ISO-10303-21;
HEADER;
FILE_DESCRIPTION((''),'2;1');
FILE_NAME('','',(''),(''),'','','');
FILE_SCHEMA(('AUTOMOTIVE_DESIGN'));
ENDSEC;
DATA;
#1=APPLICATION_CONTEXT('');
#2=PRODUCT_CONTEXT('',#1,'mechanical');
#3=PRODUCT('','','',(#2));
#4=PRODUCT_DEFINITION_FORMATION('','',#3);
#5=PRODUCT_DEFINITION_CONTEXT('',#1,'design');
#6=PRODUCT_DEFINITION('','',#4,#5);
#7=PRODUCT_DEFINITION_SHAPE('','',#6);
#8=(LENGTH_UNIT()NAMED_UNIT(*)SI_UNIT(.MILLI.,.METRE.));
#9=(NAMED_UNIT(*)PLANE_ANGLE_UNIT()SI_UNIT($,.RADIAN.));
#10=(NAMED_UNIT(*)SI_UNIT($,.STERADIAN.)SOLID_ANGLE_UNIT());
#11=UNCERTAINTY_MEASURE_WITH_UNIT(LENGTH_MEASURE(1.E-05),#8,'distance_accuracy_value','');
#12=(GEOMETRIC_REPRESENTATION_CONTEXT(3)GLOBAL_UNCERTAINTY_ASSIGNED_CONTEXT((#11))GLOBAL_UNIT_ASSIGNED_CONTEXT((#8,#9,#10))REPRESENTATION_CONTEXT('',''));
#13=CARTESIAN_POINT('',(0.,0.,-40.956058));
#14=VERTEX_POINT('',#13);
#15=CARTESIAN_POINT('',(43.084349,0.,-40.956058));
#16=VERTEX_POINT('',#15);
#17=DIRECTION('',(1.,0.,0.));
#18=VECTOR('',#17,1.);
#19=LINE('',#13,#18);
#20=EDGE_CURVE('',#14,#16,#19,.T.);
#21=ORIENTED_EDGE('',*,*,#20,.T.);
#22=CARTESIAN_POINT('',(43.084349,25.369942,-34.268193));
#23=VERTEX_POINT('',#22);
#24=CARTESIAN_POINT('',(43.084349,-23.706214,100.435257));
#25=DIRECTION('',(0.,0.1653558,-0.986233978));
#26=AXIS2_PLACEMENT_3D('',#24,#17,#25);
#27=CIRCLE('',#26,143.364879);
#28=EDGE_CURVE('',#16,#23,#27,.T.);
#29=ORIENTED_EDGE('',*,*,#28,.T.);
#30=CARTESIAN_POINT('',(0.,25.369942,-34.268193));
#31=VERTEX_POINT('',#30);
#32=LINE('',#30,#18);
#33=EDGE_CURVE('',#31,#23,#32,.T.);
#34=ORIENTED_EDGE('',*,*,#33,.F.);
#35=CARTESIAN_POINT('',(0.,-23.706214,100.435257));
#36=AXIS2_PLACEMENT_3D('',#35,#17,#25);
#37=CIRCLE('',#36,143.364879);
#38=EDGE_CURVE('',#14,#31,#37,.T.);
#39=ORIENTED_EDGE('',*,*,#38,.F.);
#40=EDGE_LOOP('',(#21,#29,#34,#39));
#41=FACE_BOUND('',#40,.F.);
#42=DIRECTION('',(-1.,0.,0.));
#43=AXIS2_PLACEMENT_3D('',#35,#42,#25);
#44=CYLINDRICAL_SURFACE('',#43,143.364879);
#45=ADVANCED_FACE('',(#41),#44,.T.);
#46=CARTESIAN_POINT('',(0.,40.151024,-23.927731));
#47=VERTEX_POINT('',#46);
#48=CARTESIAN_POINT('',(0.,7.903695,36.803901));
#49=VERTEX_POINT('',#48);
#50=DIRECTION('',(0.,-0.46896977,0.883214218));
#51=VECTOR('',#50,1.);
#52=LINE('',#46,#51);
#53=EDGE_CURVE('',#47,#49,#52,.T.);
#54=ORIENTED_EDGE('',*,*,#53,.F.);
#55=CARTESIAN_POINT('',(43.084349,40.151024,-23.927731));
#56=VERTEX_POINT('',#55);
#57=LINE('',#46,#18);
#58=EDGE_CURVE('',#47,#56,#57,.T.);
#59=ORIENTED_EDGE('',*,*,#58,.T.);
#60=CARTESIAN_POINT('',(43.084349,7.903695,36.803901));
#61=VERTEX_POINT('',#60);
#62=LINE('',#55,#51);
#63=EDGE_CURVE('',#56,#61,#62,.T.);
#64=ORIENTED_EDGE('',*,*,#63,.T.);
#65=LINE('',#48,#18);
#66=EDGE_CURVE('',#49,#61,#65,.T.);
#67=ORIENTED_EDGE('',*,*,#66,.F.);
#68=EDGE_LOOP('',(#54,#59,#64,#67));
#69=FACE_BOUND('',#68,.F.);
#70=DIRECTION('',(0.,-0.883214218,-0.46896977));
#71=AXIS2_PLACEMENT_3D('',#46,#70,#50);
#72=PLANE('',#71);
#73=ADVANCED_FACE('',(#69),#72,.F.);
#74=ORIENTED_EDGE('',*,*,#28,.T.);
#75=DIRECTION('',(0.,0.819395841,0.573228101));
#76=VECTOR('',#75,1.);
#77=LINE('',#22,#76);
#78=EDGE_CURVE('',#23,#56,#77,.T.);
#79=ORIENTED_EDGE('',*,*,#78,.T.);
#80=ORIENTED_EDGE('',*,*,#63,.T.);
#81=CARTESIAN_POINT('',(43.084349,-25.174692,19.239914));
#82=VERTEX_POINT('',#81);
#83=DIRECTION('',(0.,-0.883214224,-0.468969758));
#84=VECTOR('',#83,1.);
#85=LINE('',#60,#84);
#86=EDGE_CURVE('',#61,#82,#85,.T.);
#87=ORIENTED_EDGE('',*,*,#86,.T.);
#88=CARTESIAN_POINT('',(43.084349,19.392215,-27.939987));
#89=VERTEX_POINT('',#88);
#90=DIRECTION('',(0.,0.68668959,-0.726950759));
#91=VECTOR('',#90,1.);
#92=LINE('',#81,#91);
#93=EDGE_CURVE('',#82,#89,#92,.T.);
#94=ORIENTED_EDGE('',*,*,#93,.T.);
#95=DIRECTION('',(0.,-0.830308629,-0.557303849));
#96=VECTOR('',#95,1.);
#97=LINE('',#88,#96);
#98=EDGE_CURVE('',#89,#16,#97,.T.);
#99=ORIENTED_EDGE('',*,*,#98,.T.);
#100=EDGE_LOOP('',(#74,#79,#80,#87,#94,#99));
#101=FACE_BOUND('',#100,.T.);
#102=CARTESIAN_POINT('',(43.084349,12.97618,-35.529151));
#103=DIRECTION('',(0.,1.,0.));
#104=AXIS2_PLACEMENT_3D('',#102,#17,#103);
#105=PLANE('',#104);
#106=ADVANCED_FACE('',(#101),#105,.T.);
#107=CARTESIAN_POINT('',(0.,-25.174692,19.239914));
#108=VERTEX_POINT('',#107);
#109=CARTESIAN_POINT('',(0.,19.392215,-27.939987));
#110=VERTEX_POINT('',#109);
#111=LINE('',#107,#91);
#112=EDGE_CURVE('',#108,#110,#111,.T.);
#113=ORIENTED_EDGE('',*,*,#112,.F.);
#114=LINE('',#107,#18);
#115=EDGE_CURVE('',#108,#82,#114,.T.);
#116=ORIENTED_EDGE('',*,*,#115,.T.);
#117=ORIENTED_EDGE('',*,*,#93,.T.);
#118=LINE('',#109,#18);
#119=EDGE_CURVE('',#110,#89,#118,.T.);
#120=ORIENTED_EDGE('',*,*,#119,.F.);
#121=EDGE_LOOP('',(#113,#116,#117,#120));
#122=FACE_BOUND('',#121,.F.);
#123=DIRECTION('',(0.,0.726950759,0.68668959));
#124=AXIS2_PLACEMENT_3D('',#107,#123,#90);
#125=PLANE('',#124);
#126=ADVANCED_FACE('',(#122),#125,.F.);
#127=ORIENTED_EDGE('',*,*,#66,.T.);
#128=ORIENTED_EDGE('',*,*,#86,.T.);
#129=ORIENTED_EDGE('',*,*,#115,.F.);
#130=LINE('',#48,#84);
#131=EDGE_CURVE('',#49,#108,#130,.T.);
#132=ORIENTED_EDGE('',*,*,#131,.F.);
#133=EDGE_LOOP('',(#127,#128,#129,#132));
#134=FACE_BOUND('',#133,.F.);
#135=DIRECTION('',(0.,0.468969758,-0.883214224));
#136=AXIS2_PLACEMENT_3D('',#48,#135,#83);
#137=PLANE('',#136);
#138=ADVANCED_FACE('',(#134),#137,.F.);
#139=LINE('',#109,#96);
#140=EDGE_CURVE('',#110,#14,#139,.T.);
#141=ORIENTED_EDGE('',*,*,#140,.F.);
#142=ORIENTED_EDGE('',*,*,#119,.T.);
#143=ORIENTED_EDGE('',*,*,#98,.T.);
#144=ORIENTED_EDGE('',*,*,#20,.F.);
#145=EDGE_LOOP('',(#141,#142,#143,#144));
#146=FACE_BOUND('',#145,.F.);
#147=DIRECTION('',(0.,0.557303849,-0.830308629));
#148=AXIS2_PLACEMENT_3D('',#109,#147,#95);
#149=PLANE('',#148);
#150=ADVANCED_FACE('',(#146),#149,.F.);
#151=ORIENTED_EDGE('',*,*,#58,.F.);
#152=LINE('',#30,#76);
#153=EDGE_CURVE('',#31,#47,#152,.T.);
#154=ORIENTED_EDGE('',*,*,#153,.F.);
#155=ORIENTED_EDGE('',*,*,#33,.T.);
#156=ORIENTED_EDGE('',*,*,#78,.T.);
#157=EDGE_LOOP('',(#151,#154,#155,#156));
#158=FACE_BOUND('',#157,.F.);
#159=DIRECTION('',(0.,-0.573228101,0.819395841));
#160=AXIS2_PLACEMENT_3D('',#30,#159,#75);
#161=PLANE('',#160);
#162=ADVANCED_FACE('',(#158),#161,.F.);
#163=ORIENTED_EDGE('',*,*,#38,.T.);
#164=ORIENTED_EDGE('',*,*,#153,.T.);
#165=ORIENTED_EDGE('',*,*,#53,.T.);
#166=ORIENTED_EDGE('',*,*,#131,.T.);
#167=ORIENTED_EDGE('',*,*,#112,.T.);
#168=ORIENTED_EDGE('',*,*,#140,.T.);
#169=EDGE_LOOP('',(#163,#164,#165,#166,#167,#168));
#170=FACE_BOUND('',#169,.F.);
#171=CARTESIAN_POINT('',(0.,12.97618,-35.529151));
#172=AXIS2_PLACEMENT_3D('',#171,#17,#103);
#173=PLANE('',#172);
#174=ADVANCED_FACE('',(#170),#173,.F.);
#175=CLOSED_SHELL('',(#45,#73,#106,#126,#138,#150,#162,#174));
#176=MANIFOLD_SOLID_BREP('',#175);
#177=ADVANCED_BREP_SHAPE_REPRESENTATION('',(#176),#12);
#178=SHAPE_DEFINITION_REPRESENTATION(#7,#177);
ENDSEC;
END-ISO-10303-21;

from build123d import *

# Parameters (mm, degrees)
F1_DEPTH = 43.084349


with BuildPart() as f1:
    # F0 (on Right) → F1 (new body)
    with BuildSketch(Plane.YZ):
        with BuildLine():
            ThreePointArc((0, -40.956058), (12.838283, -38.193702), (25.369942, -34.268193))
            Line((25.369942, -34.268193), (19.392215, -27.939987))
            Line((19.392215, -27.939987), (0, -40.956058))
        make_face()
        Polygon((19.392215, -27.939987), (25.369942, -34.268193), (40.151024, -23.927731), (25.369942, -23.927731), align=None)
        Polygon((-25.174692, 19.239914), (19.392215, -27.939987), (25.369942, -23.927731), (40.151024, -23.927731), (7.903695, 36.803901), align=None)
    extrude(amount=F1_DEPTH)


solid = f1.part
